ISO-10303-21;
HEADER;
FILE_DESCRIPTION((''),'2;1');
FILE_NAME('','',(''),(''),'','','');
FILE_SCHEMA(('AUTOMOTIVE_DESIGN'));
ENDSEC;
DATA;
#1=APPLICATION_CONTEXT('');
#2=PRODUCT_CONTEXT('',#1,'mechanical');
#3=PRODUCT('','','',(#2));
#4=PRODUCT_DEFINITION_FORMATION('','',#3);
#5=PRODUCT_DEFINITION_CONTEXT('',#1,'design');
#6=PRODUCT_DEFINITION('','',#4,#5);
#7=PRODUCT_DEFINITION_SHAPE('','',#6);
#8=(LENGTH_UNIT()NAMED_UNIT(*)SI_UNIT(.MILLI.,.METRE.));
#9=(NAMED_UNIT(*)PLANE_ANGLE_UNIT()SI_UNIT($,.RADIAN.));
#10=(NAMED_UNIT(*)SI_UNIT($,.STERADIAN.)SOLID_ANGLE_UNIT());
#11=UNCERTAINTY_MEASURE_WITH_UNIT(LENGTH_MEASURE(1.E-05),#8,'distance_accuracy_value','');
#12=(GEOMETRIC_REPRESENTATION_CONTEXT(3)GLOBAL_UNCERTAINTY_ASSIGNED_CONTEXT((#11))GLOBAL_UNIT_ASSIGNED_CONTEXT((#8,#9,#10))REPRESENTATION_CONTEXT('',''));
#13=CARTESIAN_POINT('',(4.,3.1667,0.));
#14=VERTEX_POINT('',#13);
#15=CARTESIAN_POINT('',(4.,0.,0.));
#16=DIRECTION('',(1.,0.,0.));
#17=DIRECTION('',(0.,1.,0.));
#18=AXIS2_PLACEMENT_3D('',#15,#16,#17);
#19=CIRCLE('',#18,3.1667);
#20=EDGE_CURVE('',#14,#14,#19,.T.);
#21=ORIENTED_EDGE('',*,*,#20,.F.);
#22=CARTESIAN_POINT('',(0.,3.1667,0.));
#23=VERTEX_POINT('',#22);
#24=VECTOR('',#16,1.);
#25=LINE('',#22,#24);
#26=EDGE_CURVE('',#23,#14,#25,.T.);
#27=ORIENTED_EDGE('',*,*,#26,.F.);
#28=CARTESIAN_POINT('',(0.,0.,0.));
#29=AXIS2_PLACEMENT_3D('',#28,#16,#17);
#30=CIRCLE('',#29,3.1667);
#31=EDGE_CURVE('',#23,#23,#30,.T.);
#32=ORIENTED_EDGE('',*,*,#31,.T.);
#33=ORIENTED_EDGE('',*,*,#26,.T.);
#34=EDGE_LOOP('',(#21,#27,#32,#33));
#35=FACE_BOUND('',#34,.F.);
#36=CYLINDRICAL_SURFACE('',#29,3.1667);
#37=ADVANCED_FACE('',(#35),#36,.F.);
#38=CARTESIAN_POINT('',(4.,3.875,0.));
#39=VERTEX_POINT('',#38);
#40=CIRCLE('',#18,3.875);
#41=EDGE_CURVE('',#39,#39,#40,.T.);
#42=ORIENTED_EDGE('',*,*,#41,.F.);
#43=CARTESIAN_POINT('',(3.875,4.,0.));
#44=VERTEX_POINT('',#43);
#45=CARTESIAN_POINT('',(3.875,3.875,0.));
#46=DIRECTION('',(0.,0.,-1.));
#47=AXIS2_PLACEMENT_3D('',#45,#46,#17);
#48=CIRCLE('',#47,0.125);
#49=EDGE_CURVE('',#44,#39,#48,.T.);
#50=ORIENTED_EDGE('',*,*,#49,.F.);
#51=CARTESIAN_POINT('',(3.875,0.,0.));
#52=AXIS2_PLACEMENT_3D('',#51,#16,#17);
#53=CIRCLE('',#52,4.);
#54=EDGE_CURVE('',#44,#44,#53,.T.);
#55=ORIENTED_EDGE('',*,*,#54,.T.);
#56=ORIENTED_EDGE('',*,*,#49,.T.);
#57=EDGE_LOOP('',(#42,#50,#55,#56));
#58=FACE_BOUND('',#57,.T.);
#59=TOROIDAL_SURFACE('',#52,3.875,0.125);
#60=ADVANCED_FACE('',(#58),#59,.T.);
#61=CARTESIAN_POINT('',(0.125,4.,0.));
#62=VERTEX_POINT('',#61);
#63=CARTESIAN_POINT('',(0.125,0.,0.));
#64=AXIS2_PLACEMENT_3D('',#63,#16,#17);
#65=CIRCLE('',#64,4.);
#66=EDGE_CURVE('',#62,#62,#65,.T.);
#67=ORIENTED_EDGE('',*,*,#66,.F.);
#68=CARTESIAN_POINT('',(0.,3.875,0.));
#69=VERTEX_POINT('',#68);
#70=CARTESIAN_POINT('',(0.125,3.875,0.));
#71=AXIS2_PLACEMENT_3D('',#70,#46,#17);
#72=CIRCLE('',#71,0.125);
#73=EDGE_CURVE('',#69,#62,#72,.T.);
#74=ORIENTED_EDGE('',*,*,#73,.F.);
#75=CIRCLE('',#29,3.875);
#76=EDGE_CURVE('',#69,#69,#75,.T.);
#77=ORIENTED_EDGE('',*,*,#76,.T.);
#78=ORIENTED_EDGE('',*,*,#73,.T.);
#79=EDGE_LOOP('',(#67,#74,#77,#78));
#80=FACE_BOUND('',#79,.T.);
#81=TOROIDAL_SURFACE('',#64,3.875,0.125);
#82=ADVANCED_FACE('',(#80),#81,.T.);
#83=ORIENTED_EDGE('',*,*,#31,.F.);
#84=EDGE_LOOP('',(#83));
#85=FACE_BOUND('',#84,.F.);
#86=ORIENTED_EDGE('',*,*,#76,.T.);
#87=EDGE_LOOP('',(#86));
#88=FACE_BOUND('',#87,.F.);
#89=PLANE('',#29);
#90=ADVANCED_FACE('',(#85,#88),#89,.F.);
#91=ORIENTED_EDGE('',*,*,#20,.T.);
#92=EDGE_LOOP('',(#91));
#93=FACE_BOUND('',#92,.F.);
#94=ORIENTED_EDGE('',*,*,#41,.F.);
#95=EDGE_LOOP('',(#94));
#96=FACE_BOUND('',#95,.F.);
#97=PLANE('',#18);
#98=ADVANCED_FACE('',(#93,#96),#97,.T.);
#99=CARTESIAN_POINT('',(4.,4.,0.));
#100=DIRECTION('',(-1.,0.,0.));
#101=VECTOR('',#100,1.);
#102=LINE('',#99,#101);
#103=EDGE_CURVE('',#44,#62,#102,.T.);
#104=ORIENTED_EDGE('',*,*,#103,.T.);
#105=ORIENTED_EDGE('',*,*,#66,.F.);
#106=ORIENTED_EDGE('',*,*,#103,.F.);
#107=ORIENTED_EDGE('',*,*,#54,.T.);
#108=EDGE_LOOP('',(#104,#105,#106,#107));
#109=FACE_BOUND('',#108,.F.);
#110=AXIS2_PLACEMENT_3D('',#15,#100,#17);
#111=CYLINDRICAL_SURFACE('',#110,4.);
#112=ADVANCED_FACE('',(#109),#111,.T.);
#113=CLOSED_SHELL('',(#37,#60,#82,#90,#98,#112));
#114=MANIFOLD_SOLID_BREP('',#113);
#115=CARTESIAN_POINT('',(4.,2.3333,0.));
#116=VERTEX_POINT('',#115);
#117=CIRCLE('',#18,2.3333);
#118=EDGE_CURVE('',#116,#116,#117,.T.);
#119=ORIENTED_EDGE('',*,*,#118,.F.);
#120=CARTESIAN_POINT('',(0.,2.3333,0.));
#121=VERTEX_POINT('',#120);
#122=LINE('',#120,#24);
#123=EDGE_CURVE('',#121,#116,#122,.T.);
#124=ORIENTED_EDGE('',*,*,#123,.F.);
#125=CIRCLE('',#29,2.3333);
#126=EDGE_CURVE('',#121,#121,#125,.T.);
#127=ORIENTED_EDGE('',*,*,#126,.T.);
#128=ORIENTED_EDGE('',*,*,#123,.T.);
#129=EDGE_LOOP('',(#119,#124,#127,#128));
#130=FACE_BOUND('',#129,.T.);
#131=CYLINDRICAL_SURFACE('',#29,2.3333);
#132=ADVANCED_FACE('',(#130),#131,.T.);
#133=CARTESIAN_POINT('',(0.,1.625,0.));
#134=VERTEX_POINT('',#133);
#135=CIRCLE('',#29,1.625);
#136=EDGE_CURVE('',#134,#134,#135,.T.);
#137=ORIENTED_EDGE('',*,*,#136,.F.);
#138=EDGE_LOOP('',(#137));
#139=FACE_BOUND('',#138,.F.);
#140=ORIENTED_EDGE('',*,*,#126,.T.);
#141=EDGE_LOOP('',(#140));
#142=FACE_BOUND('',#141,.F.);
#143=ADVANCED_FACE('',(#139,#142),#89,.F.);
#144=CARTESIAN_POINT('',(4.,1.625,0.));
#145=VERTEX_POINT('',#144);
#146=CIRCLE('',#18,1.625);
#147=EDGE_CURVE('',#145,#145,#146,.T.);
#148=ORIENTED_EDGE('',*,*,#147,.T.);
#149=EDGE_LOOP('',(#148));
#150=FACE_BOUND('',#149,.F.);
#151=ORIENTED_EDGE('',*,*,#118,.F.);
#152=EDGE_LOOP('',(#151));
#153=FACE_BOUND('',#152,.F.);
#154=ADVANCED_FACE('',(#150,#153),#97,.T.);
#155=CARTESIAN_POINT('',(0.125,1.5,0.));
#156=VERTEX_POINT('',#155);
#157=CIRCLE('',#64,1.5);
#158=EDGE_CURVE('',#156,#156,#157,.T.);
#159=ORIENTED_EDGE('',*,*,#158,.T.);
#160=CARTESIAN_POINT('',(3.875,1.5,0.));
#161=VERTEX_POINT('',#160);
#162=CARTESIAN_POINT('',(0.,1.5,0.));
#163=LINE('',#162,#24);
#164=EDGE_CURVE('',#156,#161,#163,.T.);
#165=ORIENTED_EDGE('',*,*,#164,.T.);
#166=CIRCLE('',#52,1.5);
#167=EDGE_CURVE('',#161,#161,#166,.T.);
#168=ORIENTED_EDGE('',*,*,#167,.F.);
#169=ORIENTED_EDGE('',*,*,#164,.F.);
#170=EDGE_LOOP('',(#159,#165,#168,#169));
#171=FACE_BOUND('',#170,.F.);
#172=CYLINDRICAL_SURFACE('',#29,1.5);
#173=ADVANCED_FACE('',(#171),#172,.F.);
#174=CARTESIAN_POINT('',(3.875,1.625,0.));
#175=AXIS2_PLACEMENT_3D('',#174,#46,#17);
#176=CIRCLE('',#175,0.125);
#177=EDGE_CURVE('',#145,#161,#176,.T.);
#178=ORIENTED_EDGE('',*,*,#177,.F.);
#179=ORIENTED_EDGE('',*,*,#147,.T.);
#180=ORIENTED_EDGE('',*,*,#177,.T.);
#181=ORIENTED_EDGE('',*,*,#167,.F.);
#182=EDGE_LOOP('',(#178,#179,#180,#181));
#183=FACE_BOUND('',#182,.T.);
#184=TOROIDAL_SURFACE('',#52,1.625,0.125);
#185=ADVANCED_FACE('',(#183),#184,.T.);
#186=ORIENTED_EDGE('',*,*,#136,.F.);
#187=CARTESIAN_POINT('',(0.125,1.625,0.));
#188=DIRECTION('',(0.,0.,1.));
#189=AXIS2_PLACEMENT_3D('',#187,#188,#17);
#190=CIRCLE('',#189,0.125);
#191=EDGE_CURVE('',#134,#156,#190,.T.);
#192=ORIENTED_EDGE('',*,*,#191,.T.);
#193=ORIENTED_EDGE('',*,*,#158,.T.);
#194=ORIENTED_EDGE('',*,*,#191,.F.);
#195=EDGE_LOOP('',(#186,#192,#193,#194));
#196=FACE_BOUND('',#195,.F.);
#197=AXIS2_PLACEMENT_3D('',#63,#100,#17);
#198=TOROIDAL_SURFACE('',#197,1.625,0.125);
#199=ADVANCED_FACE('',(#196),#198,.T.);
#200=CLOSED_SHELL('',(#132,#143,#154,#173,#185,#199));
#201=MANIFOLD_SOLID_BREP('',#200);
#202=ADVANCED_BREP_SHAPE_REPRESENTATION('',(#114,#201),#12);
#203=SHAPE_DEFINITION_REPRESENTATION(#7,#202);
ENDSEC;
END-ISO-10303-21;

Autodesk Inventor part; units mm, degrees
ref_plane "YZ Plane" through (0, 0, 0) normal (1, 0, 0) x (0, 1, 0)
ref_plane "XZ Plane" through (0, 0, 0) normal (0, 1, 0) x (-1, 0, 0)
ref_plane "XY Plane" through (0, 0, 0) normal (0, 0, 1) x (1, 0, 0)
sketch "Sketch" plane through (0, 0, 0) normal (0, 0, 1) x (1, 0, 0)
  line L0 (0, 0) -> (4, 0)
  line L1 (0, 0) -> (0, 1.5) construction
  line L2 (0, 1.5) -> (4, 1.5)
  line L3 (4, 1.5) -> (4, 4)
  line L4 (4, 4) -> (0, 4)
  line L5 (0, 4) -> (0, 1.5)
  line L6 (0, 2.75) -> (4, 2.75)
  line L7 (0, 3.1667) -> (4, 3.1667)
  line L8 (0, 2.3333) -> (4, 2.3333)
  dimension "d0" = 4
  dimension "d1" = 3
  dimension "d2" = 4.6667
  dimension "d3" = 8
revolve "Body" add sketch "Sketch" angle 360 about axis through (0, 0, 0) along (1, 0, 0) contours L5 L8 L3 L2 | L5 L4 L3 L7
fillet "Fillet1" radius 0.125 4 edges at (0, -4, 0) (4, -4, 0) (0, -1.5, 0) (4, -1.5, 0)
equation "\"d0\" = KB"
equation "\"d1\" = WD"
equation "\"d2\" = 0.333333 * BD + 0.666667 * WD"
equation "\"d3\" = BD"
equation "\"d5\" = -0.025 * WD + 0.025 * BD"
equation "\"WD\" = 3"
equation "\"BD\" = 8"
equation "\"KB\" = 4"
equation "\"BBA\" = 0"
equation "\"KRS\" = 0.15"
equation "\"KR1S\" = 0.08"
equation "\"BR\" = 0.5 * BD"
equation "\"WR\" = 0.5 * WD"
properties part number "ISO 1224 - 39 - 3 x 8 x 4" material "Steel, Mild"
